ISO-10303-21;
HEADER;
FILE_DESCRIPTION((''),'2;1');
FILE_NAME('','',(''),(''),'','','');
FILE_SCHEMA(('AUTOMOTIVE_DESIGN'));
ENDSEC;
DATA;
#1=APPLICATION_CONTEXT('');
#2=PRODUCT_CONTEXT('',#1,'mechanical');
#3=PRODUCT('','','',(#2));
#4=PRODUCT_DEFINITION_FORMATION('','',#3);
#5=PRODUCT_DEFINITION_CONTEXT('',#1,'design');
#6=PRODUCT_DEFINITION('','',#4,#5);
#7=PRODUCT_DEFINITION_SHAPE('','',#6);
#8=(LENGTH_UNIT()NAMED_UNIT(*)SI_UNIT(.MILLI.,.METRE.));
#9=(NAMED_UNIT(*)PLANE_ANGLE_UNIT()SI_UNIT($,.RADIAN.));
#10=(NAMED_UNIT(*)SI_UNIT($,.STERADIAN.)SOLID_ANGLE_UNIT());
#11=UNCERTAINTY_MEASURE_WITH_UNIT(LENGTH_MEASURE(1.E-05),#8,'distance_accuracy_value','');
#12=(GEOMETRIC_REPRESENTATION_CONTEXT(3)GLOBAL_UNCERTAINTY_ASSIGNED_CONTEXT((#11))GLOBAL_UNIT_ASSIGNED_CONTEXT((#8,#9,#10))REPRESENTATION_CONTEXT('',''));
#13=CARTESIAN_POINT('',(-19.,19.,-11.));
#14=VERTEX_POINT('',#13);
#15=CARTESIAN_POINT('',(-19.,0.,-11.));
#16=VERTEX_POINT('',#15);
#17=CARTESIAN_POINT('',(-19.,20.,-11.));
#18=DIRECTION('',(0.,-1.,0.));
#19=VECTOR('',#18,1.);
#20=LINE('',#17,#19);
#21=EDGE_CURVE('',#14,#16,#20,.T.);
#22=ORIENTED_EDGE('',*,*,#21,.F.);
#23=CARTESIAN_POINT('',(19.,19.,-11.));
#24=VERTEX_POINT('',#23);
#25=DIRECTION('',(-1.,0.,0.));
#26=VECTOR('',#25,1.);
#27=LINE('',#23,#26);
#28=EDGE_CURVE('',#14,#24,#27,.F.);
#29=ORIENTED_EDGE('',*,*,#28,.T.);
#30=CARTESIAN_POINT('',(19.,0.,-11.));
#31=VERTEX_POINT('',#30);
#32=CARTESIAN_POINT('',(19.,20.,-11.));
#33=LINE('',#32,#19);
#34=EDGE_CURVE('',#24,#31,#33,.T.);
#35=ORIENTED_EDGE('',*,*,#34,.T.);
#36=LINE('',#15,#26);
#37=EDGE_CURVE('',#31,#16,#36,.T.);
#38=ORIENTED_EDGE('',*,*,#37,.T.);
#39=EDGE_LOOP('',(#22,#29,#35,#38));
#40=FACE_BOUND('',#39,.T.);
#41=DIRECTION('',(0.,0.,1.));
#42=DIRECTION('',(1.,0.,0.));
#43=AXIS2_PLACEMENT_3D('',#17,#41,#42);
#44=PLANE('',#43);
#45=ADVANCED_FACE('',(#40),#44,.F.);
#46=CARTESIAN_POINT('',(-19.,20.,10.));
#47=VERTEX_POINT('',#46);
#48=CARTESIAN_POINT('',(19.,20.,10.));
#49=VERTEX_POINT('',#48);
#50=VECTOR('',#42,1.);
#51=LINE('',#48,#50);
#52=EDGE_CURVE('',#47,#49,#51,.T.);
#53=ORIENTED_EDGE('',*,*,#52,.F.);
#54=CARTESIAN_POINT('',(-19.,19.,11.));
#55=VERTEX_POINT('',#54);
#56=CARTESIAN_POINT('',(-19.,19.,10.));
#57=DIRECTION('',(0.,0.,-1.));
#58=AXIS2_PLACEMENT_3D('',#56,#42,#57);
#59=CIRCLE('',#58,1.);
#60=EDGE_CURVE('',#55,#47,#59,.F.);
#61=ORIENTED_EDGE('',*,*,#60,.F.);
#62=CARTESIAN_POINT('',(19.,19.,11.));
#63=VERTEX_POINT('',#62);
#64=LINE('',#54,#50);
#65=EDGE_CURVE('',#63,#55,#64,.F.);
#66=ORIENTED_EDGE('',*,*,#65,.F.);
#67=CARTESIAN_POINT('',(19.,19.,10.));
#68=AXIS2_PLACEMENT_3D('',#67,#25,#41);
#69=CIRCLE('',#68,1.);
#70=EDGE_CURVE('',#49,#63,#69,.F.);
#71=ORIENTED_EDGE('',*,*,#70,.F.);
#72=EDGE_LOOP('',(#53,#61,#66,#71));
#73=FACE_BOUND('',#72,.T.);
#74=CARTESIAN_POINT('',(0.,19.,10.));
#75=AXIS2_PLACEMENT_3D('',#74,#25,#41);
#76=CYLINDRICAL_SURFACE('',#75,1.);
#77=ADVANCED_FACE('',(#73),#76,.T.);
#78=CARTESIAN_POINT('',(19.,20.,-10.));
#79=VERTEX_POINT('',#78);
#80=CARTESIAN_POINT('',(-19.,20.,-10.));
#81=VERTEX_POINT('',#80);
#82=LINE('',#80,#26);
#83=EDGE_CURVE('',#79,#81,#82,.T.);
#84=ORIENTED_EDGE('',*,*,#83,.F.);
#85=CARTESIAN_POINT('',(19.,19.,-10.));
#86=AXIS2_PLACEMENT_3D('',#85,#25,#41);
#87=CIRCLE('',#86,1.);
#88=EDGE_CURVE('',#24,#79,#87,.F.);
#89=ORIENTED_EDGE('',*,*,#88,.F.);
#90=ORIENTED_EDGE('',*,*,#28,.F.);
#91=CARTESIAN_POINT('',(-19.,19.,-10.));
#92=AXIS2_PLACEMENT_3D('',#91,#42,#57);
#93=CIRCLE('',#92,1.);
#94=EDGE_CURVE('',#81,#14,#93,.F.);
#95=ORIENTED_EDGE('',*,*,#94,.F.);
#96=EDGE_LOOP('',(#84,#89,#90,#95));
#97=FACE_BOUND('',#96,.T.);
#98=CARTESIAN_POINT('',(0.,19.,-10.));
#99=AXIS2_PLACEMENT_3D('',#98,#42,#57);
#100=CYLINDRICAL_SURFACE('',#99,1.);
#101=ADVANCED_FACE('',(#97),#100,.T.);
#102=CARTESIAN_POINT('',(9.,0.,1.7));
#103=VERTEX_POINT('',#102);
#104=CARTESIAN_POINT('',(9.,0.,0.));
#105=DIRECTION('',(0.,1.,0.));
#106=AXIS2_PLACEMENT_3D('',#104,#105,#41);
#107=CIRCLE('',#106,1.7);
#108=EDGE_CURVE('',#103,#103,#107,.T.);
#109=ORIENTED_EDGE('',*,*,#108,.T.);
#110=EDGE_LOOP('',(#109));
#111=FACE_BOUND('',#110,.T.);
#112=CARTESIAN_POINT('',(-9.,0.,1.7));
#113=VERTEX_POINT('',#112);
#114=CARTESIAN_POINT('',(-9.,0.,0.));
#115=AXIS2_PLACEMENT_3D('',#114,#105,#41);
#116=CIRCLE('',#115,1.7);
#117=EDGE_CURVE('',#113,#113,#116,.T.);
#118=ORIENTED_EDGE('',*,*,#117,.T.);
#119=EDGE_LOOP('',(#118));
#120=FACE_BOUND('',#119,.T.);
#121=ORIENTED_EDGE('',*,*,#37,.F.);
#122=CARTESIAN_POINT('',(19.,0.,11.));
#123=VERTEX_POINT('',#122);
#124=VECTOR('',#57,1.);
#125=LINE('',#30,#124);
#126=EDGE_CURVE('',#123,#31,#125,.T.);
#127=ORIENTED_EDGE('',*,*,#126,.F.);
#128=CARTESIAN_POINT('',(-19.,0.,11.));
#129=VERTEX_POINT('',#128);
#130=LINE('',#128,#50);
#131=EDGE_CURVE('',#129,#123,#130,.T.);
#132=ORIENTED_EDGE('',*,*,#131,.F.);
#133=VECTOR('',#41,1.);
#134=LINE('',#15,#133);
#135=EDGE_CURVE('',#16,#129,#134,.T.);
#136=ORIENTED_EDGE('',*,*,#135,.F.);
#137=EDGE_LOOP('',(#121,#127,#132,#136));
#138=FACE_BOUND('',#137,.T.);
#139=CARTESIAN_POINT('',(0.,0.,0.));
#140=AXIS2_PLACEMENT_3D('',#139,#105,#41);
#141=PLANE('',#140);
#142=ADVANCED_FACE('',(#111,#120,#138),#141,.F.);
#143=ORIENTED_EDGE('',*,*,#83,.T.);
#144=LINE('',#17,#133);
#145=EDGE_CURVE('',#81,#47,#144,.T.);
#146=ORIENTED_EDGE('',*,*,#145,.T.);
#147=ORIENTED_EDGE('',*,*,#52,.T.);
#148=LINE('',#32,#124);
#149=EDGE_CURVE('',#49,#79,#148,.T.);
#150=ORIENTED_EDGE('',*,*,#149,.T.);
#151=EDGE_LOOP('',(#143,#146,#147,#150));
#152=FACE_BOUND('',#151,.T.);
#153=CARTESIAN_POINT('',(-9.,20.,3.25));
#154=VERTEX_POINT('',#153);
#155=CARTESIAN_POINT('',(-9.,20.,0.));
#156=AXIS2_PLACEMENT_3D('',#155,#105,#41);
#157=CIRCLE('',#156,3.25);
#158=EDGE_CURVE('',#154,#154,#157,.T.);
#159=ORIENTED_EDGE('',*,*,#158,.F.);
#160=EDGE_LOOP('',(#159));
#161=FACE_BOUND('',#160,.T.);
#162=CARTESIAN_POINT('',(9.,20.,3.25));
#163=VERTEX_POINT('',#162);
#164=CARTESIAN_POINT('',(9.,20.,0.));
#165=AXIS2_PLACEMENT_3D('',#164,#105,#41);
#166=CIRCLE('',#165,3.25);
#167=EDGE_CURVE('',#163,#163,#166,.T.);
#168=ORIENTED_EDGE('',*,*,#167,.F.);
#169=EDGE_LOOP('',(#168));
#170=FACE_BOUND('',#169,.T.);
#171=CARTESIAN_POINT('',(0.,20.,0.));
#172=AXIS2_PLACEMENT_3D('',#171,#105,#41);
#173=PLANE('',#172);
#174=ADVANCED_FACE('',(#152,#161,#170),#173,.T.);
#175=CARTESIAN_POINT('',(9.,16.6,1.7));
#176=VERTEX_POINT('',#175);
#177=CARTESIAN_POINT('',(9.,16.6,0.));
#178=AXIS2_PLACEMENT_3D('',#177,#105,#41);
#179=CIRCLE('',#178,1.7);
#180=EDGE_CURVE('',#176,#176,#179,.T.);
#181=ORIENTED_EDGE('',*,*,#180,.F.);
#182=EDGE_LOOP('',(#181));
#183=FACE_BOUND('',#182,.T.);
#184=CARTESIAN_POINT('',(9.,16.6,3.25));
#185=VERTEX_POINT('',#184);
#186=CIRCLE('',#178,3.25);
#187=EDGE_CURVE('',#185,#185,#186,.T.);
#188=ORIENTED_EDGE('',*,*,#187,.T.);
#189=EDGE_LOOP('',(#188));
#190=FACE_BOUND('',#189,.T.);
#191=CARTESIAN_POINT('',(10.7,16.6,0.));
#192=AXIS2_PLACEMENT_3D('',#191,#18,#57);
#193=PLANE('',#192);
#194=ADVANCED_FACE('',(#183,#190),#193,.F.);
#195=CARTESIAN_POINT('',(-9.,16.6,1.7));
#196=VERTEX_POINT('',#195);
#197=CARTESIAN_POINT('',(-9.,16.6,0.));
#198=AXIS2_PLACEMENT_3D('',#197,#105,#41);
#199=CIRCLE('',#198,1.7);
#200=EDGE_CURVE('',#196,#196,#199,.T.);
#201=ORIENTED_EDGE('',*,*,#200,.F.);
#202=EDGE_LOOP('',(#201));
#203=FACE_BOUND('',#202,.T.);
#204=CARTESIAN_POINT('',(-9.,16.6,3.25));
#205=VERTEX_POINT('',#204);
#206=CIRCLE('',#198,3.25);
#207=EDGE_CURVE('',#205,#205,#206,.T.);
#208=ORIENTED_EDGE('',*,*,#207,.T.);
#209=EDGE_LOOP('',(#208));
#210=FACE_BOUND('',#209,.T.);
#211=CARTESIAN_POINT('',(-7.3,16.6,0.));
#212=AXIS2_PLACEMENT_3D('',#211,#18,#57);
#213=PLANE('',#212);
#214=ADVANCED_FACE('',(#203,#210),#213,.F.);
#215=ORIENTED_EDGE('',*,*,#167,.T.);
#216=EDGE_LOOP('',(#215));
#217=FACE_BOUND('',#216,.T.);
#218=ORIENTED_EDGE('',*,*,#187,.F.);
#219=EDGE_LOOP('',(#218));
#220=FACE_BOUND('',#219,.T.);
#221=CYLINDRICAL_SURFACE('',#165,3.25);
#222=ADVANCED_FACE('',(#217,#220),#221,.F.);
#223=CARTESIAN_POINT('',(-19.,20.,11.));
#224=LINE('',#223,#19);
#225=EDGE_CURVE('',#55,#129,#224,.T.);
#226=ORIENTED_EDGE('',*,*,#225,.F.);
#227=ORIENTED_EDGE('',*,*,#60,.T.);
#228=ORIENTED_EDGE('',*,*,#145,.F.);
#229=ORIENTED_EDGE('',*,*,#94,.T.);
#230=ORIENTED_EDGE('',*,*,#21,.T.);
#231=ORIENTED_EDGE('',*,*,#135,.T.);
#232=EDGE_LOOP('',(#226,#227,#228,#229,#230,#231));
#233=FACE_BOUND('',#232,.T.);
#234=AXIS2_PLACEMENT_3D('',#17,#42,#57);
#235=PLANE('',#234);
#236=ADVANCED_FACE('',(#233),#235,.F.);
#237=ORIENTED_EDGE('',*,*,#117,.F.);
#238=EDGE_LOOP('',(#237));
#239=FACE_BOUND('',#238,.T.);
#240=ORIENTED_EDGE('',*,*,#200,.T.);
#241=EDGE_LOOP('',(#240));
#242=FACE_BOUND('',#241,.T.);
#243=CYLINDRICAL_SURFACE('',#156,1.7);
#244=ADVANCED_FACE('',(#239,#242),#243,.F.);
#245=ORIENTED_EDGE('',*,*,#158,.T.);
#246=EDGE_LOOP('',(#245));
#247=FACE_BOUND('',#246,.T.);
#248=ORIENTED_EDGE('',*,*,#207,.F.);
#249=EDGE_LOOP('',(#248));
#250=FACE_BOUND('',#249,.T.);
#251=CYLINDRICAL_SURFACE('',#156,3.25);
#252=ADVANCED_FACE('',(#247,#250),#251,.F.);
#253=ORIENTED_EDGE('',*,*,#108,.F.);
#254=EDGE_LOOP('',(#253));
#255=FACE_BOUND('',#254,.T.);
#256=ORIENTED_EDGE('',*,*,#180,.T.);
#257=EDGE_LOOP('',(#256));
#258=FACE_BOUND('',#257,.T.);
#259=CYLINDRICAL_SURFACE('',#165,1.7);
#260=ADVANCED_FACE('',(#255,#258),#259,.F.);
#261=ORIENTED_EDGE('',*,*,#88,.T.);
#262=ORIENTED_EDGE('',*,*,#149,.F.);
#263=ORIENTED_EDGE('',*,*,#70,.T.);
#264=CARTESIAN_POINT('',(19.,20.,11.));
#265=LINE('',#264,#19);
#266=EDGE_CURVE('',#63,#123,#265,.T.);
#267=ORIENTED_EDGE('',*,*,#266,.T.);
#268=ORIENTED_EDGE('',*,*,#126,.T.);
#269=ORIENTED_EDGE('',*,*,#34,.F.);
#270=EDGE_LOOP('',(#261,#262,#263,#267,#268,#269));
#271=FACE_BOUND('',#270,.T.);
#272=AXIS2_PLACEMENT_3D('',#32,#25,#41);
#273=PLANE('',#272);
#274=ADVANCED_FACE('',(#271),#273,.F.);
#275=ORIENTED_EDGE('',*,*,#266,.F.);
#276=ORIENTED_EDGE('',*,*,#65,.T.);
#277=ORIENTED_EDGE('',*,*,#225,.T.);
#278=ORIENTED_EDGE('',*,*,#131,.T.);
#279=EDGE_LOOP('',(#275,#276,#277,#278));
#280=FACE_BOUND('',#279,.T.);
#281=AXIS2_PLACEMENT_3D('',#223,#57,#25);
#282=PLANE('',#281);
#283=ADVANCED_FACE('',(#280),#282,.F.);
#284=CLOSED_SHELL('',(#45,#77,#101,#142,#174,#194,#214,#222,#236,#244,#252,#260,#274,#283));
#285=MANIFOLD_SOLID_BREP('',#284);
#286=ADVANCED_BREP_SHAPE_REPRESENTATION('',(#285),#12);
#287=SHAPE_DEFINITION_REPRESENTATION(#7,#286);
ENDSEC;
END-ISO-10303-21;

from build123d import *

# Parameters (mm, degrees)
ESQUISSE2_W                                        = 38
ESQUISSE2_H                                        = 22
BOSS_EXTRU_1_DEPTH                                 = 20
CHAMBRAGE_POUR_VIS_T_TE_HEXAGONALE_M31_D           = 3.4
CHAMBRAGE_POUR_VIS_T_TE_HEXAGONALE_M31_CBORE_D     = 6.5
CHAMBRAGE_POUR_VIS_T_TE_HEXAGONALE_M31_CBORE_DEPTH = 3.4
CONG_1_R                                           = 1


with BuildPart() as part:
    # Esquisse2 → Boss.-Extru.1 (new body)
    with BuildSketch(Plane(origin=(0, 0, 0), x_dir=(1, 0, 0), z_dir=(0, 1, 0))):
        Rectangle(ESQUISSE2_W, ESQUISSE2_H)
    extrude(amount=BOSS_EXTRU_1_DEPTH)

    # Chambrage pour vis à tête hexagonale M31 (through all)
    with Locations(Plane(origin=(0, 20, 0), x_dir=(1, 0, 0), z_dir=(0, 1, 0))):
        with Locations((-9, 0), (9, 0)):
            CounterBoreHole(CHAMBRAGE_POUR_VIS_T_TE_HEXAGONALE_M31_D / 2, CHAMBRAGE_POUR_VIS_T_TE_HEXAGONALE_M31_CBORE_D / 2, CHAMBRAGE_POUR_VIS_T_TE_HEXAGONALE_M31_CBORE_DEPTH)

    # Congé1
    cong_1_edges = [part.edges().sort_by_distance(p)[0] for p in [
        (0, 20, -11),
        (0, 20, 11),
    ]]
    fillet(cong_1_edges, radius=CONG_1_R)


solid = part.part
